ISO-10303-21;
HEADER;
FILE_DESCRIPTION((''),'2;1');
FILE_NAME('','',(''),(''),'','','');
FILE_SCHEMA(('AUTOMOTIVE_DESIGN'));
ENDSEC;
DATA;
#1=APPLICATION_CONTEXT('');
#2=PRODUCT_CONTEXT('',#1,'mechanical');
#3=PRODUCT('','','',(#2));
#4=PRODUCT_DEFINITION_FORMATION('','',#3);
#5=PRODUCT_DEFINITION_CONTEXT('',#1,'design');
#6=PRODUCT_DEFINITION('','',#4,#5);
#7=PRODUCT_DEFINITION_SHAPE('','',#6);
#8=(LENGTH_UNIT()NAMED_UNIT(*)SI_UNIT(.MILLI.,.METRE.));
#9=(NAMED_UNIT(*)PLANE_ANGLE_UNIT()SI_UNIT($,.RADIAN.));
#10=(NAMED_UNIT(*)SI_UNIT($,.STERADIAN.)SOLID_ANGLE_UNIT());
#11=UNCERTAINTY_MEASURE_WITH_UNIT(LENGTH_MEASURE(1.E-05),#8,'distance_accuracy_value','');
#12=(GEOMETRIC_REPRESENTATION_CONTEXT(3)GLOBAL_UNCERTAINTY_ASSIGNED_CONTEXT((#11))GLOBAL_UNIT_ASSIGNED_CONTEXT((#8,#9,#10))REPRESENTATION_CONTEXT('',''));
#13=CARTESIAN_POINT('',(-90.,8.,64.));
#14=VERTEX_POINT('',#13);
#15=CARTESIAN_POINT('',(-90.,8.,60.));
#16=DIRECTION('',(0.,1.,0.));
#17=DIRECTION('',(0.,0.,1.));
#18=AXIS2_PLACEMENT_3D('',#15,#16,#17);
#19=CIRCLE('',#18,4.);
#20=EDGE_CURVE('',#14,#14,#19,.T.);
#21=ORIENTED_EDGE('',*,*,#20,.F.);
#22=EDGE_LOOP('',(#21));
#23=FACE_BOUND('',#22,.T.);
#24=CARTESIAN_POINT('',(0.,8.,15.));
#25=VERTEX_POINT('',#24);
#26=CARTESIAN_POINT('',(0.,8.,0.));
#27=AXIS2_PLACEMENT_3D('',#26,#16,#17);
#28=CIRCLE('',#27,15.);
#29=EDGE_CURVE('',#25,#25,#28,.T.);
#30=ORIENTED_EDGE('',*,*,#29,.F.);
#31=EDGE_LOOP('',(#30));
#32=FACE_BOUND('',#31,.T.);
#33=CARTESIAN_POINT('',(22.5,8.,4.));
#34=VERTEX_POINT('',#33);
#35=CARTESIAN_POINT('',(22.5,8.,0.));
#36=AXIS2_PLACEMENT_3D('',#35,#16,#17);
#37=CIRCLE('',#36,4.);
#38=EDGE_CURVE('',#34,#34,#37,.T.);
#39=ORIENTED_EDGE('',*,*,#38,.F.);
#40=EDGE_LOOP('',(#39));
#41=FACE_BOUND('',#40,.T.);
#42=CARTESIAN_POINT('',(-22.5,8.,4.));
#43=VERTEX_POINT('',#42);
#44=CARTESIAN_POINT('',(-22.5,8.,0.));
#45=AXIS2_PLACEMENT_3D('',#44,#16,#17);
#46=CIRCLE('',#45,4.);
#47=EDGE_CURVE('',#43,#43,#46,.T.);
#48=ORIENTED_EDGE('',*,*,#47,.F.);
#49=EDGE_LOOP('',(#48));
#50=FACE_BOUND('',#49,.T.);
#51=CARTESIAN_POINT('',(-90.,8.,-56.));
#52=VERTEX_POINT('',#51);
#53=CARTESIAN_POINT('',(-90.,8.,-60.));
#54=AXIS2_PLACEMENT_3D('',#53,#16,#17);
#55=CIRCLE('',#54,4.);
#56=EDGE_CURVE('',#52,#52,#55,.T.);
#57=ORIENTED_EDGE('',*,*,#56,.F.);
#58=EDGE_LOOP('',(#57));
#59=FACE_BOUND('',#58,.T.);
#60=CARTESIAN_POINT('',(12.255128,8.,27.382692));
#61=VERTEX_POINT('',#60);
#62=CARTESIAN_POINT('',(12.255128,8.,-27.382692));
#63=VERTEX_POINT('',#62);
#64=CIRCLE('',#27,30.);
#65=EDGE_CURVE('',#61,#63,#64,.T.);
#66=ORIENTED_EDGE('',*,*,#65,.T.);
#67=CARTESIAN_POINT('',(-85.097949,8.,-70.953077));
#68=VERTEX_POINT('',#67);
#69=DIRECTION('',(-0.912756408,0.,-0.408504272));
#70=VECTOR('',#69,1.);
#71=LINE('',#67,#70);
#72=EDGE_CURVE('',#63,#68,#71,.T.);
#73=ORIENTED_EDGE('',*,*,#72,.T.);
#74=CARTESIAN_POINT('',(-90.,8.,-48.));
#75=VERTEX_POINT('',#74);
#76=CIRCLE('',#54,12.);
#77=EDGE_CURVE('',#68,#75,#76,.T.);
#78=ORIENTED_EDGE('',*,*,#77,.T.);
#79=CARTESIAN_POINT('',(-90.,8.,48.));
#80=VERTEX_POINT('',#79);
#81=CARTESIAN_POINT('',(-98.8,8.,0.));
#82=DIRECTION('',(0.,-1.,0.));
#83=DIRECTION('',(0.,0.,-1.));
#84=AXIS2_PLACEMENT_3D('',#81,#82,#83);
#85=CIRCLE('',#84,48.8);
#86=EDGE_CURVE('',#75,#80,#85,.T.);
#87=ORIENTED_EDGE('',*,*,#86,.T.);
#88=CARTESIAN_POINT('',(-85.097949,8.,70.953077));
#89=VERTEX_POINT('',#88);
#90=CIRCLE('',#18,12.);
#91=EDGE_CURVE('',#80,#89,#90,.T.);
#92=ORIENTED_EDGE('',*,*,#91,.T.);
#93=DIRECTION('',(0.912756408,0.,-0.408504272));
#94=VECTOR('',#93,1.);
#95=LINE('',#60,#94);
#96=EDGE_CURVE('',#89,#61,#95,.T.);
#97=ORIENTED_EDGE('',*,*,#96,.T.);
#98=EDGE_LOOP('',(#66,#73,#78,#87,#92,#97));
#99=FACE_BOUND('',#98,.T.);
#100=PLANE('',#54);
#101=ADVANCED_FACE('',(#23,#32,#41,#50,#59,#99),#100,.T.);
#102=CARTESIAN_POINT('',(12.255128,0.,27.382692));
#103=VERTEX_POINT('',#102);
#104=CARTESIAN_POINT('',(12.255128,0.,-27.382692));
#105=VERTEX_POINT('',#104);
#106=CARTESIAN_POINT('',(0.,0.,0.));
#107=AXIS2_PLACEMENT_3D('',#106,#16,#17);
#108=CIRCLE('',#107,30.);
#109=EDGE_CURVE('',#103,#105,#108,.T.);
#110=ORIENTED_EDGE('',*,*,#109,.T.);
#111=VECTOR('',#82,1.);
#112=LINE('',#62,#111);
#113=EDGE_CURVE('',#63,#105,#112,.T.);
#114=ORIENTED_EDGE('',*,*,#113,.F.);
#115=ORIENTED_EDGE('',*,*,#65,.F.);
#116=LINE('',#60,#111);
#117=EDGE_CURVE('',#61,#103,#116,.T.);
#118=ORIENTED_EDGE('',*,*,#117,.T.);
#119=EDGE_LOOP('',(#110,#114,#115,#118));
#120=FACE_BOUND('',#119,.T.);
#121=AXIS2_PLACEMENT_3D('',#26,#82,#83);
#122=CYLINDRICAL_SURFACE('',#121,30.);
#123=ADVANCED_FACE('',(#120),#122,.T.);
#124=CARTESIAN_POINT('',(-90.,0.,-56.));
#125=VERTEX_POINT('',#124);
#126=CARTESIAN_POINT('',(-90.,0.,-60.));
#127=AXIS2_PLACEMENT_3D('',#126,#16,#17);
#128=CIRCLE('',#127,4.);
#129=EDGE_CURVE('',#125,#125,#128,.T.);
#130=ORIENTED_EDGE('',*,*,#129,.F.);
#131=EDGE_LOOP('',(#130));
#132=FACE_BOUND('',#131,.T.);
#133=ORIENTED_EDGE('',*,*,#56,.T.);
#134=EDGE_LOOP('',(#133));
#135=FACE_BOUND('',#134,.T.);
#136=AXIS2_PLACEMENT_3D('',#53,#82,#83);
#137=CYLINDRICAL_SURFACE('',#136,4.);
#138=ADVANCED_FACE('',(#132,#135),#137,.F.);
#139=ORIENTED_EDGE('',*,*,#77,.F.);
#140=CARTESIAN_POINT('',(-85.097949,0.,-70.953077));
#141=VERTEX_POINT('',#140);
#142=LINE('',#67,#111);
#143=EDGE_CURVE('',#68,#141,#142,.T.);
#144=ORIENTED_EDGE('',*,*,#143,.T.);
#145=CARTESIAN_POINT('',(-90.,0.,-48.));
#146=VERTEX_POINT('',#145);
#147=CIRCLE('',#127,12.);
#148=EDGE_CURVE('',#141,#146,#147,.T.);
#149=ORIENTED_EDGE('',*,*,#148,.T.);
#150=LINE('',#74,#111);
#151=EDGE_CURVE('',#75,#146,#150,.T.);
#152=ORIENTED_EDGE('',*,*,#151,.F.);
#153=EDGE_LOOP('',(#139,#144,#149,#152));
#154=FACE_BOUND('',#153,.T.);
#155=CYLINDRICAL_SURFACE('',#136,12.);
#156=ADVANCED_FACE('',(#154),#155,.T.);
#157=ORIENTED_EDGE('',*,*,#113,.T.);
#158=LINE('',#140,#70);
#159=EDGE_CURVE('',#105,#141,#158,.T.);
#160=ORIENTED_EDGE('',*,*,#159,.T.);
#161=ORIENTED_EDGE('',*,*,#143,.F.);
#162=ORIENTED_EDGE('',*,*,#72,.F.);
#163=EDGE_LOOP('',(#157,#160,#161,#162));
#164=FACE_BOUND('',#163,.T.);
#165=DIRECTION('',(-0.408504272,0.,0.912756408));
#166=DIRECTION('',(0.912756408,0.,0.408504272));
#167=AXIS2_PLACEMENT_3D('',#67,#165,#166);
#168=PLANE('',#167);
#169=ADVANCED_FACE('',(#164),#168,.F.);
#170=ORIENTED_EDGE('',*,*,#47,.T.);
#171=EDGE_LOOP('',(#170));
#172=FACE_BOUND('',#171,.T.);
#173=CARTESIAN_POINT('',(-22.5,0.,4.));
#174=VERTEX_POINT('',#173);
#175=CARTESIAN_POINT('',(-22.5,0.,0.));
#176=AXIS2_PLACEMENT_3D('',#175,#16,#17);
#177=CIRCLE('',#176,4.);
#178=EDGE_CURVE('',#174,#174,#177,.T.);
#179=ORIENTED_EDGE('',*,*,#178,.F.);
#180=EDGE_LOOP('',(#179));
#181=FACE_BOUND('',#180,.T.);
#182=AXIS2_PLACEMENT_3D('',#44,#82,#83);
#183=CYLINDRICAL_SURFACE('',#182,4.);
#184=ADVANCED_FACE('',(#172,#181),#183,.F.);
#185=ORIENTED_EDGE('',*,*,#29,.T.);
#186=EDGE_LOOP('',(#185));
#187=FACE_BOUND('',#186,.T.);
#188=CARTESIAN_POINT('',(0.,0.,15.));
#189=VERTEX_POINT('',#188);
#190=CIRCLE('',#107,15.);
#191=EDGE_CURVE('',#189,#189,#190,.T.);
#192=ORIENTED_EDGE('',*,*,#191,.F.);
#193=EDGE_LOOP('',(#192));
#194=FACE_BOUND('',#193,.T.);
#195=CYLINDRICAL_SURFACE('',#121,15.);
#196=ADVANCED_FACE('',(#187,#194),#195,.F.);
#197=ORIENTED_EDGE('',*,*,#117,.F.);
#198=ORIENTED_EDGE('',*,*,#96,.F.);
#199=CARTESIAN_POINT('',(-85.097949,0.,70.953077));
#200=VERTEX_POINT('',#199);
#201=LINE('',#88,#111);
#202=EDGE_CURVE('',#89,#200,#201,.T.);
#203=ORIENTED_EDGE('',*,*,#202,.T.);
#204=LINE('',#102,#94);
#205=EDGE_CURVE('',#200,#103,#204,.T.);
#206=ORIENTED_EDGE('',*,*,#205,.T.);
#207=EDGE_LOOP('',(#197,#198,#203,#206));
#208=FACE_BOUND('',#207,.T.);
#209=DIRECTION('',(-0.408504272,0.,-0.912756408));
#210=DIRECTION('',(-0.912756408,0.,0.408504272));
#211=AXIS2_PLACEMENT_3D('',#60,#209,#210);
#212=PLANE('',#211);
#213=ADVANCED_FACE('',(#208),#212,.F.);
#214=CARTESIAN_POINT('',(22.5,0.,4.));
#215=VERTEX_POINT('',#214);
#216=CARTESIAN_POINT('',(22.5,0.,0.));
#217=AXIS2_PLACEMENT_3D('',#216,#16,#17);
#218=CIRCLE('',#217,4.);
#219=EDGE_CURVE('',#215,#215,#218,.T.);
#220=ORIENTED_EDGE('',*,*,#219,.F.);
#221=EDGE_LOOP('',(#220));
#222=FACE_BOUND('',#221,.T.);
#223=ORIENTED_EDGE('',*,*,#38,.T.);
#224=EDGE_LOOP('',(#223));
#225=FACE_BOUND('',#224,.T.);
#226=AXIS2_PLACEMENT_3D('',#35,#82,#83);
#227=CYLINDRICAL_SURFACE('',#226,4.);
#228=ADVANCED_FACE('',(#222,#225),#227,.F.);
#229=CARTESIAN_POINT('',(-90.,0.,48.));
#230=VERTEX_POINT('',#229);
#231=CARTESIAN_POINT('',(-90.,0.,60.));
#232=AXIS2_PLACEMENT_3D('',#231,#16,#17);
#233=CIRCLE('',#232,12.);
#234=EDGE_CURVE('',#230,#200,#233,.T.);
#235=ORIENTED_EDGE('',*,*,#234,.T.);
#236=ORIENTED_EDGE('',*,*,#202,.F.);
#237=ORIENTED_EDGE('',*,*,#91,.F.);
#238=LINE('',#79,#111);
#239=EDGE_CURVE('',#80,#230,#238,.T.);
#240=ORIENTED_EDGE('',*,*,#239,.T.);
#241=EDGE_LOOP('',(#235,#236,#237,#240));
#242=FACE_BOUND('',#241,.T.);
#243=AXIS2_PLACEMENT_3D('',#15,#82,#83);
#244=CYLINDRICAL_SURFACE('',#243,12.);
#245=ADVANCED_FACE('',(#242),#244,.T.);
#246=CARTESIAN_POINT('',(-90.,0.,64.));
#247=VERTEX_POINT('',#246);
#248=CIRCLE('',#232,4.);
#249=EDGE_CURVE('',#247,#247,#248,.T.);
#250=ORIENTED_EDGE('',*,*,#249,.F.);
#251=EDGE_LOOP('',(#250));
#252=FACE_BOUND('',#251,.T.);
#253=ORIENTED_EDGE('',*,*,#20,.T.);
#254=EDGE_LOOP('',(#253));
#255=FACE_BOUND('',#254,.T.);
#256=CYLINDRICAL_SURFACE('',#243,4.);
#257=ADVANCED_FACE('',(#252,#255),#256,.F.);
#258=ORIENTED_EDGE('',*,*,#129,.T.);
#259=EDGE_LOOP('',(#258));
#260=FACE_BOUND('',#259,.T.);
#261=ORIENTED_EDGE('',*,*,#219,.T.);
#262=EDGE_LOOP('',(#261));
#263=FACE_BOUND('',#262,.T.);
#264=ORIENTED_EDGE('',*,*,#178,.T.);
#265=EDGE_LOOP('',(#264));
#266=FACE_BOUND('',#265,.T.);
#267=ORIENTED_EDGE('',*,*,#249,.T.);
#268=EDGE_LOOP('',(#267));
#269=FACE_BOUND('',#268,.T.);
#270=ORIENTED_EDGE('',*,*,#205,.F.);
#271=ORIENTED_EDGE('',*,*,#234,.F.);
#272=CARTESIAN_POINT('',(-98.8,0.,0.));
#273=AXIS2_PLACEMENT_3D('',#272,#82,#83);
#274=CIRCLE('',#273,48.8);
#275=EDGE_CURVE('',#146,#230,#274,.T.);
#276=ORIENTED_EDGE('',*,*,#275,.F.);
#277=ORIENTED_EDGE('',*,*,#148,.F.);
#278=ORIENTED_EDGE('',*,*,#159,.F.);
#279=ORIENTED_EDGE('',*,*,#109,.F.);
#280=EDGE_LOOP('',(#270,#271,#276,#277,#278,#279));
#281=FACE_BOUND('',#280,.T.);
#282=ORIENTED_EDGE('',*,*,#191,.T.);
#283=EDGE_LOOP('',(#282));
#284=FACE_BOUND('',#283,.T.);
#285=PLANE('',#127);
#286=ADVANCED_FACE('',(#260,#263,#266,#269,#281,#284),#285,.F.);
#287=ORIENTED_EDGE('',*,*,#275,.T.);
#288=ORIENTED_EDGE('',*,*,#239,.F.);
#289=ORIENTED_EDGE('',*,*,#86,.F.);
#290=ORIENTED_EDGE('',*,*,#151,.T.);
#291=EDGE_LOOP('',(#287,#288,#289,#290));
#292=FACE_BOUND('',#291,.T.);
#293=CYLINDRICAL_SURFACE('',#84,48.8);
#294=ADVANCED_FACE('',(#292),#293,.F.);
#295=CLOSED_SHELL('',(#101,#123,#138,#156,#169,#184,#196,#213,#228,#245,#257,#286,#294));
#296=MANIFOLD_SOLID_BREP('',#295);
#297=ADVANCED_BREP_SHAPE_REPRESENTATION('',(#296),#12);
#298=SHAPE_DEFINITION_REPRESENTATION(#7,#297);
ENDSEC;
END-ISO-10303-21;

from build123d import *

# Parameters (mm, degrees)
SKETCH3_R           = 4
SKETCH3_R_2         = 15
BOSS_EXTRUDE1_DEPTH = 8


with BuildPart() as part:
    # Sketch3 → Boss-Extrude1 (new body)
    with BuildSketch(Plane(origin=(0, 0, 0), x_dir=(1, 0, 0), z_dir=(0, 1, 0))):
        with BuildLine():
            Line((-85.097948738, 70.953076893), (12.255128155, 27.382692233))
            ThreePointArc((12.255128155, 27.382692233), (30, 0), (12.255128155, -27.382692233))
            Line((12.255128155, -27.382692233), (-85.097948738, -70.953076893))
            ThreePointArc((-85.097948738, -70.953076893), (-101.735350926, -62.506299791), (-90, -48))
            ThreePointArc((-90, -48), (-50, 0), (-90, 48))
            ThreePointArc((-90, 48), (-101.735350926, 62.506299791), (-85.097948738, 70.953076893))
        make_face()
        with Locations(Location((-90, 60, 0), (0, 0, 270))):
            Circle(SKETCH3_R, mode=Mode.SUBTRACT)
        with Locations(Location((-90, -60, 0), (0, 0, 270))):
            Circle(SKETCH3_R, mode=Mode.SUBTRACT)
        with Locations(Location((22.5, 0, 0), (0, 0, 270))):
            Circle(SKETCH3_R, mode=Mode.SUBTRACT)
        with Locations(Location((-22.5, 0, 0), (0, 0, 270))):
            Circle(SKETCH3_R, mode=Mode.SUBTRACT)
        with Locations(Location((0, 0, 0), (0, 0, 270))):
            Circle(SKETCH3_R_2, mode=Mode.SUBTRACT)
    extrude(amount=BOSS_EXTRUDE1_DEPTH)


solid = part.part
